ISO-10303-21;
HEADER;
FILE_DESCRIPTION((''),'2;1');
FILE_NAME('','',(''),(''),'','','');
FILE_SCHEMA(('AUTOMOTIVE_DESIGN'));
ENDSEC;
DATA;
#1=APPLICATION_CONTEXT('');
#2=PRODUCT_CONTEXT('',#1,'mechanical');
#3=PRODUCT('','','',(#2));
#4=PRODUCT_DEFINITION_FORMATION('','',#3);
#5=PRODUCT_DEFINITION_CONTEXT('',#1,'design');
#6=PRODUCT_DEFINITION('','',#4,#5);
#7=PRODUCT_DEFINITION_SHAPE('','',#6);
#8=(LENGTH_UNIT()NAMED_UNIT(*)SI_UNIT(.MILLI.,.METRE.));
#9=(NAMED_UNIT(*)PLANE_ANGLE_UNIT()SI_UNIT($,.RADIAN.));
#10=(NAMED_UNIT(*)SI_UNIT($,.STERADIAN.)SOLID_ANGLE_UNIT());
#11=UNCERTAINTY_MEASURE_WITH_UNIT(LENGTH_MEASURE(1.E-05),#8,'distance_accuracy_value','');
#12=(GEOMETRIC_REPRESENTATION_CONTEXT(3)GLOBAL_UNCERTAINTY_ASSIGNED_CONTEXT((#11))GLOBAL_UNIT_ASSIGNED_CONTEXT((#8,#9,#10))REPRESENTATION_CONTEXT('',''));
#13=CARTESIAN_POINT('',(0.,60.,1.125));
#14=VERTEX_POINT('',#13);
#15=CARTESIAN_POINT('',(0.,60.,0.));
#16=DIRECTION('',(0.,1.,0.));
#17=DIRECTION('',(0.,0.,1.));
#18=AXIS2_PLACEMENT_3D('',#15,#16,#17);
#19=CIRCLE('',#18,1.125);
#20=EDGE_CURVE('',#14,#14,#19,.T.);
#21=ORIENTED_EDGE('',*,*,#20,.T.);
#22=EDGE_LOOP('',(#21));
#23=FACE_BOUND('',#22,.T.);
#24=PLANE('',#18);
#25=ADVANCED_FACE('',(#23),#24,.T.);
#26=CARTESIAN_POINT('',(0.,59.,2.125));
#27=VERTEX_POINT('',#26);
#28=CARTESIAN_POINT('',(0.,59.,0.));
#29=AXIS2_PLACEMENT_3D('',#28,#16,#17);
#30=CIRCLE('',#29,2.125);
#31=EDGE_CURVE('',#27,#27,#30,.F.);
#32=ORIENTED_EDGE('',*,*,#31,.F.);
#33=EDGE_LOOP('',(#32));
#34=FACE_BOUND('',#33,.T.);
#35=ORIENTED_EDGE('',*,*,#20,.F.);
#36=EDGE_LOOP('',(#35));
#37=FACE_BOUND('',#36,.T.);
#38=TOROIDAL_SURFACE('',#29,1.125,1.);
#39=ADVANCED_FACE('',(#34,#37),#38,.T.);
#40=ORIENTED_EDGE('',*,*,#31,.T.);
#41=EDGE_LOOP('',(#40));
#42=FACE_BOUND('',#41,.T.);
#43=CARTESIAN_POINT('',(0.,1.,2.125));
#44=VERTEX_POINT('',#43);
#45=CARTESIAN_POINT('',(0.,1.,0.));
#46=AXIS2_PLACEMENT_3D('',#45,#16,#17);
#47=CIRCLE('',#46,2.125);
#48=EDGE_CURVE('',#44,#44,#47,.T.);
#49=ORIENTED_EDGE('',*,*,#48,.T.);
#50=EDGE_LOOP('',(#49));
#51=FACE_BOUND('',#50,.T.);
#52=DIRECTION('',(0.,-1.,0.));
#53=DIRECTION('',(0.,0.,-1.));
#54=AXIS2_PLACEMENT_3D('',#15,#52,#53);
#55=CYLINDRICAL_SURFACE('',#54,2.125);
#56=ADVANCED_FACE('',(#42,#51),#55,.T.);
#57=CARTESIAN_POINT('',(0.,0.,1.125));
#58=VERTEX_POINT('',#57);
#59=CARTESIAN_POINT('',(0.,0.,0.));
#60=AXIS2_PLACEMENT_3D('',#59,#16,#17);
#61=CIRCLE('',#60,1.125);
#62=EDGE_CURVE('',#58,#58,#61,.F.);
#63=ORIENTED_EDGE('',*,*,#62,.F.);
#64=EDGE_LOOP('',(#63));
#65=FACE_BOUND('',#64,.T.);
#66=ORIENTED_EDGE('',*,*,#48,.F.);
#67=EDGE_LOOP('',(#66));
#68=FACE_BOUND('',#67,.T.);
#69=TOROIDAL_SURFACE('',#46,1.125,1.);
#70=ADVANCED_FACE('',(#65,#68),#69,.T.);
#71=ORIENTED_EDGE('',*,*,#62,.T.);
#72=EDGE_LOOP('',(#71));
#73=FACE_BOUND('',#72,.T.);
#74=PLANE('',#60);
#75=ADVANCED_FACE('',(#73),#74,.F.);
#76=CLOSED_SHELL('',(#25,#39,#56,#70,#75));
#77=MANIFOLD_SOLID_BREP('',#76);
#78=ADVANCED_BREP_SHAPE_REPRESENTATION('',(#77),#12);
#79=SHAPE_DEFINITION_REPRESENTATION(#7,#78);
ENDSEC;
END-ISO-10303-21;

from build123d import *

# Parameters (mm, degrees)
SKETCH1_R           = 2.125
BOSS_EXTRUDE1_DEPTH = 60
FILLET1_R           = 1


with BuildPart() as part:
    # Sketch1 → Boss-Extrude1 (new body)
    with BuildSketch(Plane(origin=(0, 0, 0), x_dir=(1, 0, 0), z_dir=(0, 1, 0))):
        Circle(SKETCH1_R)
    extrude(amount=BOSS_EXTRUDE1_DEPTH)

    # Fillet1
    fillet1_edges = [part.edges().sort_by_distance(p)[0] for p in [
        (-2.125, 0, 0),
        (-2.125, 60, 0),
    ]]
    fillet(fillet1_edges, radius=FILLET1_R)


solid = part.part
